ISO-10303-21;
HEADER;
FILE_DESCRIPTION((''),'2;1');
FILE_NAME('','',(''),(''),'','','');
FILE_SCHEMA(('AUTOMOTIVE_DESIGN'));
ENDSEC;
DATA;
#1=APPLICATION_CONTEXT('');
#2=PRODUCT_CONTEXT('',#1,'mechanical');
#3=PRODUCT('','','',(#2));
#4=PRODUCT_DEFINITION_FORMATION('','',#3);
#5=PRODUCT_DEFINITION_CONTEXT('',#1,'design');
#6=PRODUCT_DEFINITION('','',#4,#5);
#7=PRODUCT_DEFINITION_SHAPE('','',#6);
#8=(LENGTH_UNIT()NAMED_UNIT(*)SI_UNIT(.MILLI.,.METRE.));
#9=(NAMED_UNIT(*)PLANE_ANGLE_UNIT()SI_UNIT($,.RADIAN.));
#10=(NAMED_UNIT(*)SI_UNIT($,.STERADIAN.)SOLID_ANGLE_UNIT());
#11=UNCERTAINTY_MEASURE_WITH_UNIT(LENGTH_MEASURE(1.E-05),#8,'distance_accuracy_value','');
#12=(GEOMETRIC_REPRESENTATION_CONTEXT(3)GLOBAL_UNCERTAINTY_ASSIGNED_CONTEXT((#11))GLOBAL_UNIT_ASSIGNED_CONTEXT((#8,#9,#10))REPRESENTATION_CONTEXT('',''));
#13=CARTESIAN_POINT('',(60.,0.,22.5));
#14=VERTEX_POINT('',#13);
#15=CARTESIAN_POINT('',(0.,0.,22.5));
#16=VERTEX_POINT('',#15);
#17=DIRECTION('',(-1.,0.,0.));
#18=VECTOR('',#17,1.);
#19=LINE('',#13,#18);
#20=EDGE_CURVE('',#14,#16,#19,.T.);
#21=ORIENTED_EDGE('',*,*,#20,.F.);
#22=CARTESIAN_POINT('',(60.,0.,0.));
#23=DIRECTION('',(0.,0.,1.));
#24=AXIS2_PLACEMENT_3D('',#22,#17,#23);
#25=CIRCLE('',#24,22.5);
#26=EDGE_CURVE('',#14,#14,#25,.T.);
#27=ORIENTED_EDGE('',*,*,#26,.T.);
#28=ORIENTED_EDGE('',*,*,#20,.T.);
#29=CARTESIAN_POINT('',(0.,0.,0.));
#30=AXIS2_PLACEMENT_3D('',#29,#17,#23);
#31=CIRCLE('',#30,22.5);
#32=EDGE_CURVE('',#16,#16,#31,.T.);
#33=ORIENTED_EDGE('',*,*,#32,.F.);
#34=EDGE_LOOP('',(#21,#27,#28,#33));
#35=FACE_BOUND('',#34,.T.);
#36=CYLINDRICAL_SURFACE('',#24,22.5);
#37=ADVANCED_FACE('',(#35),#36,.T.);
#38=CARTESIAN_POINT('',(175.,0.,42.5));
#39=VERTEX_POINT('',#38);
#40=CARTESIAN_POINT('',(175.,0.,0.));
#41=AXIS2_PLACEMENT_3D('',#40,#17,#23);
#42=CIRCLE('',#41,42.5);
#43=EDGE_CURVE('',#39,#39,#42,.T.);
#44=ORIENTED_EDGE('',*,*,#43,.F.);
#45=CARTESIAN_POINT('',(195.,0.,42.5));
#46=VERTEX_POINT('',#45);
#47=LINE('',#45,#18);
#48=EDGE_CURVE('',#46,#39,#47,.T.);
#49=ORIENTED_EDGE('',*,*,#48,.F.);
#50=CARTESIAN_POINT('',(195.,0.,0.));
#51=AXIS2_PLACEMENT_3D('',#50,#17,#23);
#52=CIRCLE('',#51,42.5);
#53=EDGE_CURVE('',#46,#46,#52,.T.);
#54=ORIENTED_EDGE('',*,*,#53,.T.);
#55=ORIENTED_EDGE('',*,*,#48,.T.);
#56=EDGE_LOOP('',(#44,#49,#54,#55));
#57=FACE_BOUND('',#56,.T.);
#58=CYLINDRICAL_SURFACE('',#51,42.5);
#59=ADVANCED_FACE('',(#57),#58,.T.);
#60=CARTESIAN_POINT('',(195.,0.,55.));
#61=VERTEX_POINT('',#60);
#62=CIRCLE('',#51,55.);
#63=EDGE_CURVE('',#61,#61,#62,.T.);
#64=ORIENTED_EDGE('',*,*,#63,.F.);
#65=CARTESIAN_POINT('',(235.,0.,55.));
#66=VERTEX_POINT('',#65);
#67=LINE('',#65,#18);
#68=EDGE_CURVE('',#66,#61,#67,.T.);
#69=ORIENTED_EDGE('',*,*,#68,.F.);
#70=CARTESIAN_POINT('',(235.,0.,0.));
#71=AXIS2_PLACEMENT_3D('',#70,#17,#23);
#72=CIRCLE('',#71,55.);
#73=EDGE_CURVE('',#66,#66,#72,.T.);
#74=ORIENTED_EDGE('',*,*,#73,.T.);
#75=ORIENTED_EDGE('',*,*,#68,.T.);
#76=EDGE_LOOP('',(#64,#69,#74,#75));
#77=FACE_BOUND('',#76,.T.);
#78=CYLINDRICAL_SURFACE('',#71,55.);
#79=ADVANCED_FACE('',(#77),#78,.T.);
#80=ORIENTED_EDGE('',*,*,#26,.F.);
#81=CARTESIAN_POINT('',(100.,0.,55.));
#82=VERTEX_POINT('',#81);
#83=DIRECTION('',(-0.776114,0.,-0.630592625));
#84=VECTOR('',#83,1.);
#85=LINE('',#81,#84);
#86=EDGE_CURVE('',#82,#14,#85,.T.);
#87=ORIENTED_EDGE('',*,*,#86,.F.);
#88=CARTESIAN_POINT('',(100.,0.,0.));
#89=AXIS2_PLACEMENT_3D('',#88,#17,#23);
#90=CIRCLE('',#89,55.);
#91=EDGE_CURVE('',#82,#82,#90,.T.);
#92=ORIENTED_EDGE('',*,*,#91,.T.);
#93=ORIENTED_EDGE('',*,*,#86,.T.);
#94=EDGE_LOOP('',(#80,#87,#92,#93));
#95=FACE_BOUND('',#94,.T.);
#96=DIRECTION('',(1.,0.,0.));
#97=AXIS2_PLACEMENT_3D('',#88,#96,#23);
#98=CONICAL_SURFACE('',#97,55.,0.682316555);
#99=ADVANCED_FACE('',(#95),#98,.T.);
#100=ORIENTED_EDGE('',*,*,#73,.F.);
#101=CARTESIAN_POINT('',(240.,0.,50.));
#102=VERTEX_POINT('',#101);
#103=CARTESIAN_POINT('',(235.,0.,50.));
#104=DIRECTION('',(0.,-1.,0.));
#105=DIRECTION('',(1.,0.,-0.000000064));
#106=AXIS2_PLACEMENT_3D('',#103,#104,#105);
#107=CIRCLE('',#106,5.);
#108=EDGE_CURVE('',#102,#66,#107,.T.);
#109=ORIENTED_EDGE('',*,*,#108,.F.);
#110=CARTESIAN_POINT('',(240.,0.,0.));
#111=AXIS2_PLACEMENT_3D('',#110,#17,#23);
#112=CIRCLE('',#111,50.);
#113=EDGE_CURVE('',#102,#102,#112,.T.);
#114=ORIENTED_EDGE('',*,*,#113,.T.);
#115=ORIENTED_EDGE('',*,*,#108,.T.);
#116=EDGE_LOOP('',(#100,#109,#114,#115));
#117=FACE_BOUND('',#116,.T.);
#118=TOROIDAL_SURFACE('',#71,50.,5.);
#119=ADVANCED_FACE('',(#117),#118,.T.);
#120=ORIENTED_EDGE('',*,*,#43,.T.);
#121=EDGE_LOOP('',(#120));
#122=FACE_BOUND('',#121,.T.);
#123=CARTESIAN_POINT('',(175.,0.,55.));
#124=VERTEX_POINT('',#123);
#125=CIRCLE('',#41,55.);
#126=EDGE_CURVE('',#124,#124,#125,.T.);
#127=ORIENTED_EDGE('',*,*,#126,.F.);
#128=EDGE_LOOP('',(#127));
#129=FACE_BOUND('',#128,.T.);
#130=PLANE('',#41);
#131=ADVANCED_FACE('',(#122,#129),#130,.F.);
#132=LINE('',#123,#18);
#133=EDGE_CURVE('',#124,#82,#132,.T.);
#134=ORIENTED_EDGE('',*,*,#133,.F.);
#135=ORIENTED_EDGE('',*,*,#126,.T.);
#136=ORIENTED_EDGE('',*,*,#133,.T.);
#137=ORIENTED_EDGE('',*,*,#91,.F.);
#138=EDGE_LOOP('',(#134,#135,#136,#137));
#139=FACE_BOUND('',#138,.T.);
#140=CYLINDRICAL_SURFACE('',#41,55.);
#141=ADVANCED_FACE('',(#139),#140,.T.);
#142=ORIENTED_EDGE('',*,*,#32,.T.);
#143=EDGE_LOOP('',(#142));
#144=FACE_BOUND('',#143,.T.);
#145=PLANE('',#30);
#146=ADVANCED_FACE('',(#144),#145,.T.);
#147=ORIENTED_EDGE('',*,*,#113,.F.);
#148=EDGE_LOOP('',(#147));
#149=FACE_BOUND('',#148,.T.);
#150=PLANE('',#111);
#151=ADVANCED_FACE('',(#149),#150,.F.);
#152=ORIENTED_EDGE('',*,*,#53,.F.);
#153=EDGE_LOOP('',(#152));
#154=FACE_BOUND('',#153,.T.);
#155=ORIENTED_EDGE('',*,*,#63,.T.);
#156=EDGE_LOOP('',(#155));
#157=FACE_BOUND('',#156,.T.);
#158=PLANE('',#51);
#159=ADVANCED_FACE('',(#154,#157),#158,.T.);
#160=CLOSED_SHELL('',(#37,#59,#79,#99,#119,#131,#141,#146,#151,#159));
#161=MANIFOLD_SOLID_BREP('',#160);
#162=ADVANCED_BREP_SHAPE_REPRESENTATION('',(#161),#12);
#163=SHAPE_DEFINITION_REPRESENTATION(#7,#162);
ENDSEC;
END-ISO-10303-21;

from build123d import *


with BuildPart() as f1:
    # F0 (on Front) → F1 (revolve)
    with BuildSketch(Plane.XZ):
        with BuildLine():
            Line((0, 22.5), (0, 0))
            Line((0, 0), (240, 0))
            Line((240, 0), (240, 50))
            ThreePointArc((240, 50), (238.535534, 53.535534), (235, 55))
            Line((235, 55), (195, 55))
            Line((195, 55), (195, 42.5))
            Line((195, 42.5), (175, 42.5))
            Line((175, 42.5), (175, 55))
            Line((175, 55), (100, 55))
            Line((100, 55), (60, 22.5))
            Line((60, 22.5), (0, 22.5))
        make_face()
    revolve(axis=Axis((-20.114416, 0, 0), (-1, 0, 0)))


solid = f1.part
